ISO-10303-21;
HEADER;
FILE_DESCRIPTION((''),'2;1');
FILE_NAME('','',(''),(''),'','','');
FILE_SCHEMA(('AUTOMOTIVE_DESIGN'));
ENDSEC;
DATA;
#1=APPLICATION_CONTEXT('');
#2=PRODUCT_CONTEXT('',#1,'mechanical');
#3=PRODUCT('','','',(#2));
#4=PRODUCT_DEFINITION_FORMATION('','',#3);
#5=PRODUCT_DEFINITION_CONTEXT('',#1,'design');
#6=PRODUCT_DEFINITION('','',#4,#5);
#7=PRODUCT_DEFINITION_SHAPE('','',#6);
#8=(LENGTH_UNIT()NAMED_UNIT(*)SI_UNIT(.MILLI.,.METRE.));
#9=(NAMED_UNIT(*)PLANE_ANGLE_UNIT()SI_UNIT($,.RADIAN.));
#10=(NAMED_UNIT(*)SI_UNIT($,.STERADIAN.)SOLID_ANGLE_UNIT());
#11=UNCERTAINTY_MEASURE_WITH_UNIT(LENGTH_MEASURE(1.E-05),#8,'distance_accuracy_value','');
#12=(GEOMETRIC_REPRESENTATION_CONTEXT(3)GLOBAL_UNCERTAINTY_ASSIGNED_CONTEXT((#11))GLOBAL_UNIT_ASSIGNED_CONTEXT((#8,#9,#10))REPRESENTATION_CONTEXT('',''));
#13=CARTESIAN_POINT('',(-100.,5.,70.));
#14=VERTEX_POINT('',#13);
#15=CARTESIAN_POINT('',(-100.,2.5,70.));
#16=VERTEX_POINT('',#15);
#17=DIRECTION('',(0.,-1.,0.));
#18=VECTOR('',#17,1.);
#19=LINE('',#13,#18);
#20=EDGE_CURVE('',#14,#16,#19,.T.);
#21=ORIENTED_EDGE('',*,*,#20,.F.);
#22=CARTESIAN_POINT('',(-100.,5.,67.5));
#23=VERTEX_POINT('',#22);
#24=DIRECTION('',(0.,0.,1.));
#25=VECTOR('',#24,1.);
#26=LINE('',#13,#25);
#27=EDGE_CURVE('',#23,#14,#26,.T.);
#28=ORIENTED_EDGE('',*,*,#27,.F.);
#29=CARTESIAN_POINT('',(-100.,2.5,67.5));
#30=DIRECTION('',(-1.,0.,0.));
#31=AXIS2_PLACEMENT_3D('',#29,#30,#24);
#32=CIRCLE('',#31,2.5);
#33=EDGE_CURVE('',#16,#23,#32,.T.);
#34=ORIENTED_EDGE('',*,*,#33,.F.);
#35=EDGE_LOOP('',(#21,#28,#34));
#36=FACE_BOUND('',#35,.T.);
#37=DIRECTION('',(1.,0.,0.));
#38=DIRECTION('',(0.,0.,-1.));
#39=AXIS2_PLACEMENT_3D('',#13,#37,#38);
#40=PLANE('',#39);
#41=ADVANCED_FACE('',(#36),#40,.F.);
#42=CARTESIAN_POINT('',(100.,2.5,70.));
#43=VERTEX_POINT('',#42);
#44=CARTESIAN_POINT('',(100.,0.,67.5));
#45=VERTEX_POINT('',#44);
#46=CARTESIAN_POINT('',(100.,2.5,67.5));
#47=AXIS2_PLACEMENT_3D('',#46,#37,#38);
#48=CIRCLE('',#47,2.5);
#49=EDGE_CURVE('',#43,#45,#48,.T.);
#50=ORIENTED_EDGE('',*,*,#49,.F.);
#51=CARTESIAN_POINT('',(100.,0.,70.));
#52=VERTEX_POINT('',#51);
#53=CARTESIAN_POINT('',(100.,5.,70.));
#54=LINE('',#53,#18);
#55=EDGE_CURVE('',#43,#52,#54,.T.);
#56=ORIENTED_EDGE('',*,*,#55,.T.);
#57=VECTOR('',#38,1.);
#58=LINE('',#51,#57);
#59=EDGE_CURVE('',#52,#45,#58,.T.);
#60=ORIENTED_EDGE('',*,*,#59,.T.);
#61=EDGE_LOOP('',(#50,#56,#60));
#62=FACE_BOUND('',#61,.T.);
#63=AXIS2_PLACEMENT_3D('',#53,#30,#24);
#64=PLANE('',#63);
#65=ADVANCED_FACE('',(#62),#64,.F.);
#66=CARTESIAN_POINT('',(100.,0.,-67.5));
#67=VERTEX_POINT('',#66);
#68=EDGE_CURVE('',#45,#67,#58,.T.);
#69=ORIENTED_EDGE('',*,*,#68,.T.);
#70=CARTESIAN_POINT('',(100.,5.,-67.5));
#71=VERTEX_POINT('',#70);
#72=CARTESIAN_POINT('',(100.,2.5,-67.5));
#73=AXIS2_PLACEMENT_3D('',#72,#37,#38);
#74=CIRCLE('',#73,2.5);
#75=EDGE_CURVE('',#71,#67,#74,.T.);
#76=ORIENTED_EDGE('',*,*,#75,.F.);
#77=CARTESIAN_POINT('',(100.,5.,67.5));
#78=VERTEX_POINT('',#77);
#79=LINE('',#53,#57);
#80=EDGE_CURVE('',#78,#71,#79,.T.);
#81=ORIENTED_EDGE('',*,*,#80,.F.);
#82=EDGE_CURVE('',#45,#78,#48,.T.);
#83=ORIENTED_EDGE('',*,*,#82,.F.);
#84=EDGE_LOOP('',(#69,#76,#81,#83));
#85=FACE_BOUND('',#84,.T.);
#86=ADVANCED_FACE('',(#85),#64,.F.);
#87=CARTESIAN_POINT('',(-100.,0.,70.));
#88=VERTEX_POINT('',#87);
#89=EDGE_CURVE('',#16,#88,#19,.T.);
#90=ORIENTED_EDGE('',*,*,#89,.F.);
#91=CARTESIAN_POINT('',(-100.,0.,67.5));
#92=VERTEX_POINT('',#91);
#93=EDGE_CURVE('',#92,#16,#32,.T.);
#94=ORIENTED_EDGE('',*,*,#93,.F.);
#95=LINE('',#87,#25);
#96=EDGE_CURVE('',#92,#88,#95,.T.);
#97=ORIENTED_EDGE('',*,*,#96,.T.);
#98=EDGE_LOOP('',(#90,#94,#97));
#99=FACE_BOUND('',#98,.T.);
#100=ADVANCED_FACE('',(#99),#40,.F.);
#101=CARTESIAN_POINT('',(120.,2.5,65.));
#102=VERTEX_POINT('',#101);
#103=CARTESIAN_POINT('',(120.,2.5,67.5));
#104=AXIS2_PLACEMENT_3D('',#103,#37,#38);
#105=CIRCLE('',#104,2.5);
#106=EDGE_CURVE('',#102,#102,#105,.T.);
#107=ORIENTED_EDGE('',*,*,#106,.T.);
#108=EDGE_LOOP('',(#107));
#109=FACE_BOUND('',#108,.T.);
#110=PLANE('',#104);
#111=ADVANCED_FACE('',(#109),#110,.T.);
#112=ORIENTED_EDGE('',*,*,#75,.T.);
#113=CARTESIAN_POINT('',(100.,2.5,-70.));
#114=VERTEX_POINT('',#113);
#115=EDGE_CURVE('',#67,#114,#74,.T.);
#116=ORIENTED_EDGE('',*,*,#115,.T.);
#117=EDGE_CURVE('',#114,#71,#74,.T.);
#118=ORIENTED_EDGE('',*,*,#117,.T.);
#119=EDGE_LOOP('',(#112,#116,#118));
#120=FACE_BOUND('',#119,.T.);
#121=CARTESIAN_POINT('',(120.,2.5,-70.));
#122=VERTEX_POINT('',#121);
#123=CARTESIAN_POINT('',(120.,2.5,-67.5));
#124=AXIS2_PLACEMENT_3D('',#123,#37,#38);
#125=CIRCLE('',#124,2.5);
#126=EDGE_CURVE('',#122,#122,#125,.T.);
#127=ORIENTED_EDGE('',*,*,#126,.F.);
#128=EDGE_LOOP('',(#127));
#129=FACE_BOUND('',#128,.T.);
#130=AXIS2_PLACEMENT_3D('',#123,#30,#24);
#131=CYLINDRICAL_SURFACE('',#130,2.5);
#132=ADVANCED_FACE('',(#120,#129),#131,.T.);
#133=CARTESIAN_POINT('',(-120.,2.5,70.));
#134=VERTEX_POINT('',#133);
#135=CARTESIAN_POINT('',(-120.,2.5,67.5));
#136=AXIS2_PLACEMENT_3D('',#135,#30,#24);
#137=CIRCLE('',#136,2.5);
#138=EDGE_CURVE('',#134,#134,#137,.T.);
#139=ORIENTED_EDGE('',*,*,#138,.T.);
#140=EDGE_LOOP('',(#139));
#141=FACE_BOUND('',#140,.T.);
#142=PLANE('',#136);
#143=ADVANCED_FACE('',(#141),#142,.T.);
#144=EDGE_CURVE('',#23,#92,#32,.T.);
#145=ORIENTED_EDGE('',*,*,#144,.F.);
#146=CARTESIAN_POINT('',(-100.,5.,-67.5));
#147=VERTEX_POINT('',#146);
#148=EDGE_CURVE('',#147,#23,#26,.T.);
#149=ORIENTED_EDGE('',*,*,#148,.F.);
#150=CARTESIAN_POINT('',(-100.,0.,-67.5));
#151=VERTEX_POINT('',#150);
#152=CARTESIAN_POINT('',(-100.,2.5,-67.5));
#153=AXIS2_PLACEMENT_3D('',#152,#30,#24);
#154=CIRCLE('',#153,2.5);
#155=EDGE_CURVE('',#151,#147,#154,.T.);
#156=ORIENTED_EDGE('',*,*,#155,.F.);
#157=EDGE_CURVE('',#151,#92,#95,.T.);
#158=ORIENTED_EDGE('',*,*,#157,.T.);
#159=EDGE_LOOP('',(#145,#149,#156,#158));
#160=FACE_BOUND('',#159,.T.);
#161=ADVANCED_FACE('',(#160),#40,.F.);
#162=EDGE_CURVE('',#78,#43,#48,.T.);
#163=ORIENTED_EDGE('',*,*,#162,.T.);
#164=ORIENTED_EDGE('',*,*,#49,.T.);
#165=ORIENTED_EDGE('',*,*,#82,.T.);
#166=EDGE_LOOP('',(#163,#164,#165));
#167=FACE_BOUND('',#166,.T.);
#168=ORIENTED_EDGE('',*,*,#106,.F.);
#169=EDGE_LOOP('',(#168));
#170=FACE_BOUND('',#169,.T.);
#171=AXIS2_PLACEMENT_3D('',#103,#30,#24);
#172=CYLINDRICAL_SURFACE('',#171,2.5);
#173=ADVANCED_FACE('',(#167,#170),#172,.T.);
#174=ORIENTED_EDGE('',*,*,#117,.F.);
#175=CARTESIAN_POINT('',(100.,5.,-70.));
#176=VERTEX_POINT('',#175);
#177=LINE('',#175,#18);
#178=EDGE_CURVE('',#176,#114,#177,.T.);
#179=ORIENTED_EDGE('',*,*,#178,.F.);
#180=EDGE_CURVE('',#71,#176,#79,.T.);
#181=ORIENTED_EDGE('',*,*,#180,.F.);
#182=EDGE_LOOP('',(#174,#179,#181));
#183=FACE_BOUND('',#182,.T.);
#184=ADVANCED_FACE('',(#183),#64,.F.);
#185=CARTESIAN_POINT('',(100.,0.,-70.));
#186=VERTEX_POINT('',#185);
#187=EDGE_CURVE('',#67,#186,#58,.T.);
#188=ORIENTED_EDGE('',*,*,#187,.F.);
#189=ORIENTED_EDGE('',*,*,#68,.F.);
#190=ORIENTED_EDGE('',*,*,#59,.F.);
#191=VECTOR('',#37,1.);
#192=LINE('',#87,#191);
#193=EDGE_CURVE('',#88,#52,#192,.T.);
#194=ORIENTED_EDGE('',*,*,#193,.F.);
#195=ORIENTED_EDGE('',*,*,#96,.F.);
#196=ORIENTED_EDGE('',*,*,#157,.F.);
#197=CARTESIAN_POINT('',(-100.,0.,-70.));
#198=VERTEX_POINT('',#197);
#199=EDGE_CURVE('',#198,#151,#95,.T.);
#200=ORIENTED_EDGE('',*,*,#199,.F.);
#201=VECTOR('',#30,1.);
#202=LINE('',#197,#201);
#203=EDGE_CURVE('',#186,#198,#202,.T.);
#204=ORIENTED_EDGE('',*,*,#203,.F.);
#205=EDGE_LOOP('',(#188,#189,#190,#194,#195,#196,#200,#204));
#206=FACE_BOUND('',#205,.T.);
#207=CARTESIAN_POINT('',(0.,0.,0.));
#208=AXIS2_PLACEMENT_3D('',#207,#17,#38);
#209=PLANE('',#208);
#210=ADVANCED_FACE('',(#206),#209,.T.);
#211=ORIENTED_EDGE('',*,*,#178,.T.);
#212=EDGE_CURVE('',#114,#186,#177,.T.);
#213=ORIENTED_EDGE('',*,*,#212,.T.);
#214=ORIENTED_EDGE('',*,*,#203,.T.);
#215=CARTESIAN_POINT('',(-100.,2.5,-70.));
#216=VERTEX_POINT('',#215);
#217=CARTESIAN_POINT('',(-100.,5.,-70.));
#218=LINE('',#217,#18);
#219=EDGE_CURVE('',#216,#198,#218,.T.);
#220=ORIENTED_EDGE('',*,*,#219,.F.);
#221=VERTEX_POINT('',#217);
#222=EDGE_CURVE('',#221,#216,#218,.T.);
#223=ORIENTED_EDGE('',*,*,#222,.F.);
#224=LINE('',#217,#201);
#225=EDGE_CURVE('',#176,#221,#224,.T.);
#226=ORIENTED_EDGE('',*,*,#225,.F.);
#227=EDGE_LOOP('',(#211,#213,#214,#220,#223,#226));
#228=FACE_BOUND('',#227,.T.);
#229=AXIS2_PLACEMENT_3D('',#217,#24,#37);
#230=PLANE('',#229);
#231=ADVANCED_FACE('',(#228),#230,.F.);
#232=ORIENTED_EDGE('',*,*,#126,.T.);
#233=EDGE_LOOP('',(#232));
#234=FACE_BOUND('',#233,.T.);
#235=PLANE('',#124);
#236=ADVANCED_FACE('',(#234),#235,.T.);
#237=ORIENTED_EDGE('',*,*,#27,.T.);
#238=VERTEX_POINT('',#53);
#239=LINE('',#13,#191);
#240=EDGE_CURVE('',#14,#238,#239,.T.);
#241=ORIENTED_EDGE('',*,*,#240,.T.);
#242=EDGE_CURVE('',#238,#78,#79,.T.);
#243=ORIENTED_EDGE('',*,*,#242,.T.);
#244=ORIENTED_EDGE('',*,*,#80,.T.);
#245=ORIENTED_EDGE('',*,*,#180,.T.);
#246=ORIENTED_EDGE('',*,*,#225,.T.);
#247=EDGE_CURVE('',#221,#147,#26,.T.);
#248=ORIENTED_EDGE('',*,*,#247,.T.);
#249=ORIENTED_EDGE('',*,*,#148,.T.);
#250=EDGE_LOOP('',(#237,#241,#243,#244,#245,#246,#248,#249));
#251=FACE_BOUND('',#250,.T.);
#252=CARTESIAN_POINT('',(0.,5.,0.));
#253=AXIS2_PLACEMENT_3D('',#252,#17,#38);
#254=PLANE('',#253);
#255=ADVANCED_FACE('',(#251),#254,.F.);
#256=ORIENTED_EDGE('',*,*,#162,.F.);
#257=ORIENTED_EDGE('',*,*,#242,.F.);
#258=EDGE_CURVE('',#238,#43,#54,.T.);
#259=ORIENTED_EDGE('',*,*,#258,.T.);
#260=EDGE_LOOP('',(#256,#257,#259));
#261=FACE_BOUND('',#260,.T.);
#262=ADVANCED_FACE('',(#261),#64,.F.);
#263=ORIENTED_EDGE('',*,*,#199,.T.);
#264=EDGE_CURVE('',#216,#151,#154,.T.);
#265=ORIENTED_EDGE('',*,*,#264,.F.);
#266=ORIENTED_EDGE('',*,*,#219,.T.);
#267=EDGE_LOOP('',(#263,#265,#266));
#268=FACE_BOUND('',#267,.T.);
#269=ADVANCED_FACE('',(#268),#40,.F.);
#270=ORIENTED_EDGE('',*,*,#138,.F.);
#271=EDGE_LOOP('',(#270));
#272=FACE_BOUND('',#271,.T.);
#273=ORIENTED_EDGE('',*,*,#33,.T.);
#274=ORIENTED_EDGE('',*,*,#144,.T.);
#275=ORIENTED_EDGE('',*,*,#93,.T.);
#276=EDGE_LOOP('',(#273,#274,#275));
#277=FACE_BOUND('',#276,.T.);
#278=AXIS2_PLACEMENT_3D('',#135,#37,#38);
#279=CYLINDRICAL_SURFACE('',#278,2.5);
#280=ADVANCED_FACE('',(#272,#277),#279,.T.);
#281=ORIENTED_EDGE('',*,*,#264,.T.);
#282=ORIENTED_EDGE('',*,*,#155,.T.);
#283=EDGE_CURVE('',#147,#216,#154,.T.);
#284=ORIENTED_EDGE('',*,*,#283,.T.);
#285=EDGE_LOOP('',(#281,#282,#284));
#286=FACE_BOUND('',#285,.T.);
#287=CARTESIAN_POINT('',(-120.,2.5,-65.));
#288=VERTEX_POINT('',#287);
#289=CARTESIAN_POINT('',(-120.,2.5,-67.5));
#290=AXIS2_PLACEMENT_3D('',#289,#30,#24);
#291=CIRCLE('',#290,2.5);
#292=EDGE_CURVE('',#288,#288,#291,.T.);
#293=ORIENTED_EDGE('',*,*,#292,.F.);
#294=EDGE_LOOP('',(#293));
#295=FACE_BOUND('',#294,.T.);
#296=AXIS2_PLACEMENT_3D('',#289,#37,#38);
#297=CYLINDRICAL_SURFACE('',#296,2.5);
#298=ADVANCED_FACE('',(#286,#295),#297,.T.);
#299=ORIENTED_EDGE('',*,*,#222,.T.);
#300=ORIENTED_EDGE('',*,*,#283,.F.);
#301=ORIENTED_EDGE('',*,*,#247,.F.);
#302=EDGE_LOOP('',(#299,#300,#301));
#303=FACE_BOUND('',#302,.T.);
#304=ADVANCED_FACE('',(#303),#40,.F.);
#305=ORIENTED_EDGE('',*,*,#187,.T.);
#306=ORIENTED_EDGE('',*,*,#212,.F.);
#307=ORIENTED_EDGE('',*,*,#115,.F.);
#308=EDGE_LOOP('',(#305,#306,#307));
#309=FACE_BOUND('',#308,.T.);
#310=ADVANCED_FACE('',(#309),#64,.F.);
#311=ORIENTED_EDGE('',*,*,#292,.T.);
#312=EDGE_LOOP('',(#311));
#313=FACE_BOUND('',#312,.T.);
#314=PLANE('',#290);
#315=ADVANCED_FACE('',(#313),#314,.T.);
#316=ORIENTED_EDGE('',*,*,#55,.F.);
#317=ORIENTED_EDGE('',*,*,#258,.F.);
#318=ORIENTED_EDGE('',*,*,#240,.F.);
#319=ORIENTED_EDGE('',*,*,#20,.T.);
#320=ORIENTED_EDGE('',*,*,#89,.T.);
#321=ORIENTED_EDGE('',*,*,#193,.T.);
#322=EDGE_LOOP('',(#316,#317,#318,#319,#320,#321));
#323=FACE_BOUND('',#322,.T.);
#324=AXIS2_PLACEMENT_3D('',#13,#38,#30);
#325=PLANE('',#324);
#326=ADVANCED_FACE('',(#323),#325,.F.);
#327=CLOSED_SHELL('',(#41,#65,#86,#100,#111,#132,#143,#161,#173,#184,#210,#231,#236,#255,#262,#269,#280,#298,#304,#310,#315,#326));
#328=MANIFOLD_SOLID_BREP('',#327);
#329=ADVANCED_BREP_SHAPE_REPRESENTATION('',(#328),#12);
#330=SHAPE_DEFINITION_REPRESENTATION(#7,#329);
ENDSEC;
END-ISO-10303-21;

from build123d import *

# Parameters (mm, degrees)
ESQUISSE1_W        = 200
ESQUISSE1_H        = 140
BOSS_EXTRU_1_DEPTH = 5
ESQUISSE3_R        = 2.5
BOSS_EXTRU_2_DEPTH = 20
ESQUISSE4_R        = 2.5
BOSS_EXTRU_3_DEPTH = 20
ESQUISSE6_R        = 2.5
BOSS_EXTRU_4_DEPTH = 20
ESQUISSE8_R        = 2.5
BOSS_EXTRU_5_DEPTH = 20


with BuildPart() as part:
    # Esquisse1 → Boss.-Extru.1 (new body)
    with BuildSketch(Plane(origin=(0, 0, 0), x_dir=(1, 0, 0), z_dir=(0, 1, 0))):
        Rectangle(ESQUISSE1_W, ESQUISSE1_H)
    extrude(amount=BOSS_EXTRU_1_DEPTH)

    # Esquisse3 → Boss.-Extru.2 (add)
    with BuildSketch(Plane.ZY.offset(100)):
        with Locations((67.5, 2.5)):
            Circle(ESQUISSE3_R)
    extrude(amount=BOSS_EXTRU_2_DEPTH)

    # Esquisse4 → Boss.-Extru.3 (add)
    with BuildSketch(Plane(origin=(100, 0, 0), x_dir=(0, 0, -1), z_dir=(1, 0, 0))):
        with Locations((-67.5, 2.5)):
            Circle(ESQUISSE4_R)
    extrude(amount=BOSS_EXTRU_3_DEPTH)

    # Esquisse6 → Boss.-Extru.4 (add)
    with BuildSketch(Plane.ZY.offset(100)):
        with Locations((-67.5, 2.5)):
            Circle(ESQUISSE6_R)
    extrude(amount=BOSS_EXTRU_4_DEPTH)

    # Esquisse8 → Boss.-Extru.5 (add)
    with BuildSketch(Plane(origin=(100, 0, 0), x_dir=(0, 0, -1), z_dir=(1, 0, 0))):
        with Locations((67.5, 2.5)):
            Circle(ESQUISSE8_R)
    extrude(amount=BOSS_EXTRU_5_DEPTH)


solid = part.part
